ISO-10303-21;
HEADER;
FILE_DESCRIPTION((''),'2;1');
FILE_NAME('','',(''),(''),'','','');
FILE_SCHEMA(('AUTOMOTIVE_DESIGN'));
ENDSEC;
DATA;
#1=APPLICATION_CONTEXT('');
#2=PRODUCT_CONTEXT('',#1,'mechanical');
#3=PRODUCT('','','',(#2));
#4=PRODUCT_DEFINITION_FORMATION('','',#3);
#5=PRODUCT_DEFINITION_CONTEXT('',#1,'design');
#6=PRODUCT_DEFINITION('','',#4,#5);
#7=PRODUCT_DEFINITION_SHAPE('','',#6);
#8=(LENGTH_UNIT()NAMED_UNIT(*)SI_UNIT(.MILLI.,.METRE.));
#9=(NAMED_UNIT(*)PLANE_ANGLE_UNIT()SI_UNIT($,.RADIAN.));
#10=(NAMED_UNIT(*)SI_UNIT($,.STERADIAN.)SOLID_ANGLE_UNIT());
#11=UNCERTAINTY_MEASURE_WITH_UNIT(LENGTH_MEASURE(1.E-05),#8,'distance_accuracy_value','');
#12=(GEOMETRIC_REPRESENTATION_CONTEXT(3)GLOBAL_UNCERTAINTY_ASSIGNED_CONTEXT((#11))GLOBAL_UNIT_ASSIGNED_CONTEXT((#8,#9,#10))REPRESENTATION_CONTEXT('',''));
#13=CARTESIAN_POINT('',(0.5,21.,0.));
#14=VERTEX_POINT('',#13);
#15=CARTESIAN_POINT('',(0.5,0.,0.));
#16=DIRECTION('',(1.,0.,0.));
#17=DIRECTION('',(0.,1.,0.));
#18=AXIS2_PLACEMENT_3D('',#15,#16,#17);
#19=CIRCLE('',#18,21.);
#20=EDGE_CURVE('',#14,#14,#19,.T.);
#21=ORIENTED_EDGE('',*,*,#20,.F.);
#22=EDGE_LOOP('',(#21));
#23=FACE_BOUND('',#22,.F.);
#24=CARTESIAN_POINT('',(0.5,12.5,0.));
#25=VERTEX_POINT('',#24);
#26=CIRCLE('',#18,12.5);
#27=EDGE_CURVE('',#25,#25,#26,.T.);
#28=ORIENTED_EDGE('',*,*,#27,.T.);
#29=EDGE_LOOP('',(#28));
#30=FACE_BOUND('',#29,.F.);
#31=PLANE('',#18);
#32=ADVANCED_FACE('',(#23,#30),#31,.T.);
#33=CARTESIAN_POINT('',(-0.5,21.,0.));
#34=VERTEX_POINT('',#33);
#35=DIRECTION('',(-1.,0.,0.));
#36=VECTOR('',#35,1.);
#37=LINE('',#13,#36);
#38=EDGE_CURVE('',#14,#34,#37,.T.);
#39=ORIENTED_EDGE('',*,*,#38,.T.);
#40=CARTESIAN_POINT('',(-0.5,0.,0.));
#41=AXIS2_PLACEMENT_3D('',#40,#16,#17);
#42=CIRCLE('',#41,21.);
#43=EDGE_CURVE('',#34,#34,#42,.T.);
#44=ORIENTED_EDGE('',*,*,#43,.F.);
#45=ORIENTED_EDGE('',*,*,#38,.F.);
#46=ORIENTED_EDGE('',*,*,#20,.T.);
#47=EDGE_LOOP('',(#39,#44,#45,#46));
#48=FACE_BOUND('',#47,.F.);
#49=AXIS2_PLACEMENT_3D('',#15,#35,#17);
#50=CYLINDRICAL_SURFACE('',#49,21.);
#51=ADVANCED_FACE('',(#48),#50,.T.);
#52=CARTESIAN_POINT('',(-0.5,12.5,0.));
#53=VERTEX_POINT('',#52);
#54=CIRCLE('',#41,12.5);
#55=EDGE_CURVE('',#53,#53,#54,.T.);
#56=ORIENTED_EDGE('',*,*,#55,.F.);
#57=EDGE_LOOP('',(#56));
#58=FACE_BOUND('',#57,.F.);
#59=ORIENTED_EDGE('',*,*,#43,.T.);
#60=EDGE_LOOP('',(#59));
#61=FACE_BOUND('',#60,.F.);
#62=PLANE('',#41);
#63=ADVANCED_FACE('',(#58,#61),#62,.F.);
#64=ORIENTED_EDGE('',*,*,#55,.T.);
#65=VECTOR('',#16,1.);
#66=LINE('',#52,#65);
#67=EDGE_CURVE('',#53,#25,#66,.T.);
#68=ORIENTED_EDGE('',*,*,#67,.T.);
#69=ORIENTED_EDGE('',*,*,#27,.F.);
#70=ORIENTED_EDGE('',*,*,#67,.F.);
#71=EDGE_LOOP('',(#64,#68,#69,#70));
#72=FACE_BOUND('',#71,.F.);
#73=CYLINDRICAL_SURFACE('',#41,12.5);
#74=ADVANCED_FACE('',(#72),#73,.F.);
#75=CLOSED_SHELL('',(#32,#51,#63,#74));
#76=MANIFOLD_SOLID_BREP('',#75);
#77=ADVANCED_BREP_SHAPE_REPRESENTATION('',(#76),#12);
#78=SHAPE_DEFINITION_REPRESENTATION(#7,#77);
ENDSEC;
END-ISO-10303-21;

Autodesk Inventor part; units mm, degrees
sketch "Sketch_1" plane through (0, 0, 0) normal (0, 0, 1) x (1, 0, 0)
  line L0 (50, 0) -> (-50, 0)
  line L1 (-0.5, 12.5) -> (0.5, 12.5)
  line L2 (0.5, 12.5) -> (0.5, 21)
  line L3 (0.5, 21) -> (-0.5, 21)
  line L4 (-0.5, 21) -> (-0.5, 12.5)
revolve "Revolution1" add sketch "Sketch_1" angle 360 about axis through (50, 0, 0) along (1, 0, 0)
ref_plane "washer1_XY" through (0, 0, 0) normal (1, 0, 0) x (0, 0, -1)
ref_plane "washer1_YZ" through (0, 0, 0) normal (0, 0, -1) x (0, 1, 0)
ref_plane "washer1_ZX" through (0, 0, 0) normal (0, 1, 0) x (1, 0, 0)
ref_plane "washer2_XY" through (0, 0, 0) normal (1, 0, 0) x (0, 0, -1)
ref_plane "washer2_YZ" through (0, 0, 0) normal (0, 0, -1) x (0, 1, 0)
ref_plane "washer2_ZX" through (0, 0, 0) normal (0, 1, 0) x (1, 0, 0)
properties part number "washer_BA2542" material "ステンレス鋼 440C"
